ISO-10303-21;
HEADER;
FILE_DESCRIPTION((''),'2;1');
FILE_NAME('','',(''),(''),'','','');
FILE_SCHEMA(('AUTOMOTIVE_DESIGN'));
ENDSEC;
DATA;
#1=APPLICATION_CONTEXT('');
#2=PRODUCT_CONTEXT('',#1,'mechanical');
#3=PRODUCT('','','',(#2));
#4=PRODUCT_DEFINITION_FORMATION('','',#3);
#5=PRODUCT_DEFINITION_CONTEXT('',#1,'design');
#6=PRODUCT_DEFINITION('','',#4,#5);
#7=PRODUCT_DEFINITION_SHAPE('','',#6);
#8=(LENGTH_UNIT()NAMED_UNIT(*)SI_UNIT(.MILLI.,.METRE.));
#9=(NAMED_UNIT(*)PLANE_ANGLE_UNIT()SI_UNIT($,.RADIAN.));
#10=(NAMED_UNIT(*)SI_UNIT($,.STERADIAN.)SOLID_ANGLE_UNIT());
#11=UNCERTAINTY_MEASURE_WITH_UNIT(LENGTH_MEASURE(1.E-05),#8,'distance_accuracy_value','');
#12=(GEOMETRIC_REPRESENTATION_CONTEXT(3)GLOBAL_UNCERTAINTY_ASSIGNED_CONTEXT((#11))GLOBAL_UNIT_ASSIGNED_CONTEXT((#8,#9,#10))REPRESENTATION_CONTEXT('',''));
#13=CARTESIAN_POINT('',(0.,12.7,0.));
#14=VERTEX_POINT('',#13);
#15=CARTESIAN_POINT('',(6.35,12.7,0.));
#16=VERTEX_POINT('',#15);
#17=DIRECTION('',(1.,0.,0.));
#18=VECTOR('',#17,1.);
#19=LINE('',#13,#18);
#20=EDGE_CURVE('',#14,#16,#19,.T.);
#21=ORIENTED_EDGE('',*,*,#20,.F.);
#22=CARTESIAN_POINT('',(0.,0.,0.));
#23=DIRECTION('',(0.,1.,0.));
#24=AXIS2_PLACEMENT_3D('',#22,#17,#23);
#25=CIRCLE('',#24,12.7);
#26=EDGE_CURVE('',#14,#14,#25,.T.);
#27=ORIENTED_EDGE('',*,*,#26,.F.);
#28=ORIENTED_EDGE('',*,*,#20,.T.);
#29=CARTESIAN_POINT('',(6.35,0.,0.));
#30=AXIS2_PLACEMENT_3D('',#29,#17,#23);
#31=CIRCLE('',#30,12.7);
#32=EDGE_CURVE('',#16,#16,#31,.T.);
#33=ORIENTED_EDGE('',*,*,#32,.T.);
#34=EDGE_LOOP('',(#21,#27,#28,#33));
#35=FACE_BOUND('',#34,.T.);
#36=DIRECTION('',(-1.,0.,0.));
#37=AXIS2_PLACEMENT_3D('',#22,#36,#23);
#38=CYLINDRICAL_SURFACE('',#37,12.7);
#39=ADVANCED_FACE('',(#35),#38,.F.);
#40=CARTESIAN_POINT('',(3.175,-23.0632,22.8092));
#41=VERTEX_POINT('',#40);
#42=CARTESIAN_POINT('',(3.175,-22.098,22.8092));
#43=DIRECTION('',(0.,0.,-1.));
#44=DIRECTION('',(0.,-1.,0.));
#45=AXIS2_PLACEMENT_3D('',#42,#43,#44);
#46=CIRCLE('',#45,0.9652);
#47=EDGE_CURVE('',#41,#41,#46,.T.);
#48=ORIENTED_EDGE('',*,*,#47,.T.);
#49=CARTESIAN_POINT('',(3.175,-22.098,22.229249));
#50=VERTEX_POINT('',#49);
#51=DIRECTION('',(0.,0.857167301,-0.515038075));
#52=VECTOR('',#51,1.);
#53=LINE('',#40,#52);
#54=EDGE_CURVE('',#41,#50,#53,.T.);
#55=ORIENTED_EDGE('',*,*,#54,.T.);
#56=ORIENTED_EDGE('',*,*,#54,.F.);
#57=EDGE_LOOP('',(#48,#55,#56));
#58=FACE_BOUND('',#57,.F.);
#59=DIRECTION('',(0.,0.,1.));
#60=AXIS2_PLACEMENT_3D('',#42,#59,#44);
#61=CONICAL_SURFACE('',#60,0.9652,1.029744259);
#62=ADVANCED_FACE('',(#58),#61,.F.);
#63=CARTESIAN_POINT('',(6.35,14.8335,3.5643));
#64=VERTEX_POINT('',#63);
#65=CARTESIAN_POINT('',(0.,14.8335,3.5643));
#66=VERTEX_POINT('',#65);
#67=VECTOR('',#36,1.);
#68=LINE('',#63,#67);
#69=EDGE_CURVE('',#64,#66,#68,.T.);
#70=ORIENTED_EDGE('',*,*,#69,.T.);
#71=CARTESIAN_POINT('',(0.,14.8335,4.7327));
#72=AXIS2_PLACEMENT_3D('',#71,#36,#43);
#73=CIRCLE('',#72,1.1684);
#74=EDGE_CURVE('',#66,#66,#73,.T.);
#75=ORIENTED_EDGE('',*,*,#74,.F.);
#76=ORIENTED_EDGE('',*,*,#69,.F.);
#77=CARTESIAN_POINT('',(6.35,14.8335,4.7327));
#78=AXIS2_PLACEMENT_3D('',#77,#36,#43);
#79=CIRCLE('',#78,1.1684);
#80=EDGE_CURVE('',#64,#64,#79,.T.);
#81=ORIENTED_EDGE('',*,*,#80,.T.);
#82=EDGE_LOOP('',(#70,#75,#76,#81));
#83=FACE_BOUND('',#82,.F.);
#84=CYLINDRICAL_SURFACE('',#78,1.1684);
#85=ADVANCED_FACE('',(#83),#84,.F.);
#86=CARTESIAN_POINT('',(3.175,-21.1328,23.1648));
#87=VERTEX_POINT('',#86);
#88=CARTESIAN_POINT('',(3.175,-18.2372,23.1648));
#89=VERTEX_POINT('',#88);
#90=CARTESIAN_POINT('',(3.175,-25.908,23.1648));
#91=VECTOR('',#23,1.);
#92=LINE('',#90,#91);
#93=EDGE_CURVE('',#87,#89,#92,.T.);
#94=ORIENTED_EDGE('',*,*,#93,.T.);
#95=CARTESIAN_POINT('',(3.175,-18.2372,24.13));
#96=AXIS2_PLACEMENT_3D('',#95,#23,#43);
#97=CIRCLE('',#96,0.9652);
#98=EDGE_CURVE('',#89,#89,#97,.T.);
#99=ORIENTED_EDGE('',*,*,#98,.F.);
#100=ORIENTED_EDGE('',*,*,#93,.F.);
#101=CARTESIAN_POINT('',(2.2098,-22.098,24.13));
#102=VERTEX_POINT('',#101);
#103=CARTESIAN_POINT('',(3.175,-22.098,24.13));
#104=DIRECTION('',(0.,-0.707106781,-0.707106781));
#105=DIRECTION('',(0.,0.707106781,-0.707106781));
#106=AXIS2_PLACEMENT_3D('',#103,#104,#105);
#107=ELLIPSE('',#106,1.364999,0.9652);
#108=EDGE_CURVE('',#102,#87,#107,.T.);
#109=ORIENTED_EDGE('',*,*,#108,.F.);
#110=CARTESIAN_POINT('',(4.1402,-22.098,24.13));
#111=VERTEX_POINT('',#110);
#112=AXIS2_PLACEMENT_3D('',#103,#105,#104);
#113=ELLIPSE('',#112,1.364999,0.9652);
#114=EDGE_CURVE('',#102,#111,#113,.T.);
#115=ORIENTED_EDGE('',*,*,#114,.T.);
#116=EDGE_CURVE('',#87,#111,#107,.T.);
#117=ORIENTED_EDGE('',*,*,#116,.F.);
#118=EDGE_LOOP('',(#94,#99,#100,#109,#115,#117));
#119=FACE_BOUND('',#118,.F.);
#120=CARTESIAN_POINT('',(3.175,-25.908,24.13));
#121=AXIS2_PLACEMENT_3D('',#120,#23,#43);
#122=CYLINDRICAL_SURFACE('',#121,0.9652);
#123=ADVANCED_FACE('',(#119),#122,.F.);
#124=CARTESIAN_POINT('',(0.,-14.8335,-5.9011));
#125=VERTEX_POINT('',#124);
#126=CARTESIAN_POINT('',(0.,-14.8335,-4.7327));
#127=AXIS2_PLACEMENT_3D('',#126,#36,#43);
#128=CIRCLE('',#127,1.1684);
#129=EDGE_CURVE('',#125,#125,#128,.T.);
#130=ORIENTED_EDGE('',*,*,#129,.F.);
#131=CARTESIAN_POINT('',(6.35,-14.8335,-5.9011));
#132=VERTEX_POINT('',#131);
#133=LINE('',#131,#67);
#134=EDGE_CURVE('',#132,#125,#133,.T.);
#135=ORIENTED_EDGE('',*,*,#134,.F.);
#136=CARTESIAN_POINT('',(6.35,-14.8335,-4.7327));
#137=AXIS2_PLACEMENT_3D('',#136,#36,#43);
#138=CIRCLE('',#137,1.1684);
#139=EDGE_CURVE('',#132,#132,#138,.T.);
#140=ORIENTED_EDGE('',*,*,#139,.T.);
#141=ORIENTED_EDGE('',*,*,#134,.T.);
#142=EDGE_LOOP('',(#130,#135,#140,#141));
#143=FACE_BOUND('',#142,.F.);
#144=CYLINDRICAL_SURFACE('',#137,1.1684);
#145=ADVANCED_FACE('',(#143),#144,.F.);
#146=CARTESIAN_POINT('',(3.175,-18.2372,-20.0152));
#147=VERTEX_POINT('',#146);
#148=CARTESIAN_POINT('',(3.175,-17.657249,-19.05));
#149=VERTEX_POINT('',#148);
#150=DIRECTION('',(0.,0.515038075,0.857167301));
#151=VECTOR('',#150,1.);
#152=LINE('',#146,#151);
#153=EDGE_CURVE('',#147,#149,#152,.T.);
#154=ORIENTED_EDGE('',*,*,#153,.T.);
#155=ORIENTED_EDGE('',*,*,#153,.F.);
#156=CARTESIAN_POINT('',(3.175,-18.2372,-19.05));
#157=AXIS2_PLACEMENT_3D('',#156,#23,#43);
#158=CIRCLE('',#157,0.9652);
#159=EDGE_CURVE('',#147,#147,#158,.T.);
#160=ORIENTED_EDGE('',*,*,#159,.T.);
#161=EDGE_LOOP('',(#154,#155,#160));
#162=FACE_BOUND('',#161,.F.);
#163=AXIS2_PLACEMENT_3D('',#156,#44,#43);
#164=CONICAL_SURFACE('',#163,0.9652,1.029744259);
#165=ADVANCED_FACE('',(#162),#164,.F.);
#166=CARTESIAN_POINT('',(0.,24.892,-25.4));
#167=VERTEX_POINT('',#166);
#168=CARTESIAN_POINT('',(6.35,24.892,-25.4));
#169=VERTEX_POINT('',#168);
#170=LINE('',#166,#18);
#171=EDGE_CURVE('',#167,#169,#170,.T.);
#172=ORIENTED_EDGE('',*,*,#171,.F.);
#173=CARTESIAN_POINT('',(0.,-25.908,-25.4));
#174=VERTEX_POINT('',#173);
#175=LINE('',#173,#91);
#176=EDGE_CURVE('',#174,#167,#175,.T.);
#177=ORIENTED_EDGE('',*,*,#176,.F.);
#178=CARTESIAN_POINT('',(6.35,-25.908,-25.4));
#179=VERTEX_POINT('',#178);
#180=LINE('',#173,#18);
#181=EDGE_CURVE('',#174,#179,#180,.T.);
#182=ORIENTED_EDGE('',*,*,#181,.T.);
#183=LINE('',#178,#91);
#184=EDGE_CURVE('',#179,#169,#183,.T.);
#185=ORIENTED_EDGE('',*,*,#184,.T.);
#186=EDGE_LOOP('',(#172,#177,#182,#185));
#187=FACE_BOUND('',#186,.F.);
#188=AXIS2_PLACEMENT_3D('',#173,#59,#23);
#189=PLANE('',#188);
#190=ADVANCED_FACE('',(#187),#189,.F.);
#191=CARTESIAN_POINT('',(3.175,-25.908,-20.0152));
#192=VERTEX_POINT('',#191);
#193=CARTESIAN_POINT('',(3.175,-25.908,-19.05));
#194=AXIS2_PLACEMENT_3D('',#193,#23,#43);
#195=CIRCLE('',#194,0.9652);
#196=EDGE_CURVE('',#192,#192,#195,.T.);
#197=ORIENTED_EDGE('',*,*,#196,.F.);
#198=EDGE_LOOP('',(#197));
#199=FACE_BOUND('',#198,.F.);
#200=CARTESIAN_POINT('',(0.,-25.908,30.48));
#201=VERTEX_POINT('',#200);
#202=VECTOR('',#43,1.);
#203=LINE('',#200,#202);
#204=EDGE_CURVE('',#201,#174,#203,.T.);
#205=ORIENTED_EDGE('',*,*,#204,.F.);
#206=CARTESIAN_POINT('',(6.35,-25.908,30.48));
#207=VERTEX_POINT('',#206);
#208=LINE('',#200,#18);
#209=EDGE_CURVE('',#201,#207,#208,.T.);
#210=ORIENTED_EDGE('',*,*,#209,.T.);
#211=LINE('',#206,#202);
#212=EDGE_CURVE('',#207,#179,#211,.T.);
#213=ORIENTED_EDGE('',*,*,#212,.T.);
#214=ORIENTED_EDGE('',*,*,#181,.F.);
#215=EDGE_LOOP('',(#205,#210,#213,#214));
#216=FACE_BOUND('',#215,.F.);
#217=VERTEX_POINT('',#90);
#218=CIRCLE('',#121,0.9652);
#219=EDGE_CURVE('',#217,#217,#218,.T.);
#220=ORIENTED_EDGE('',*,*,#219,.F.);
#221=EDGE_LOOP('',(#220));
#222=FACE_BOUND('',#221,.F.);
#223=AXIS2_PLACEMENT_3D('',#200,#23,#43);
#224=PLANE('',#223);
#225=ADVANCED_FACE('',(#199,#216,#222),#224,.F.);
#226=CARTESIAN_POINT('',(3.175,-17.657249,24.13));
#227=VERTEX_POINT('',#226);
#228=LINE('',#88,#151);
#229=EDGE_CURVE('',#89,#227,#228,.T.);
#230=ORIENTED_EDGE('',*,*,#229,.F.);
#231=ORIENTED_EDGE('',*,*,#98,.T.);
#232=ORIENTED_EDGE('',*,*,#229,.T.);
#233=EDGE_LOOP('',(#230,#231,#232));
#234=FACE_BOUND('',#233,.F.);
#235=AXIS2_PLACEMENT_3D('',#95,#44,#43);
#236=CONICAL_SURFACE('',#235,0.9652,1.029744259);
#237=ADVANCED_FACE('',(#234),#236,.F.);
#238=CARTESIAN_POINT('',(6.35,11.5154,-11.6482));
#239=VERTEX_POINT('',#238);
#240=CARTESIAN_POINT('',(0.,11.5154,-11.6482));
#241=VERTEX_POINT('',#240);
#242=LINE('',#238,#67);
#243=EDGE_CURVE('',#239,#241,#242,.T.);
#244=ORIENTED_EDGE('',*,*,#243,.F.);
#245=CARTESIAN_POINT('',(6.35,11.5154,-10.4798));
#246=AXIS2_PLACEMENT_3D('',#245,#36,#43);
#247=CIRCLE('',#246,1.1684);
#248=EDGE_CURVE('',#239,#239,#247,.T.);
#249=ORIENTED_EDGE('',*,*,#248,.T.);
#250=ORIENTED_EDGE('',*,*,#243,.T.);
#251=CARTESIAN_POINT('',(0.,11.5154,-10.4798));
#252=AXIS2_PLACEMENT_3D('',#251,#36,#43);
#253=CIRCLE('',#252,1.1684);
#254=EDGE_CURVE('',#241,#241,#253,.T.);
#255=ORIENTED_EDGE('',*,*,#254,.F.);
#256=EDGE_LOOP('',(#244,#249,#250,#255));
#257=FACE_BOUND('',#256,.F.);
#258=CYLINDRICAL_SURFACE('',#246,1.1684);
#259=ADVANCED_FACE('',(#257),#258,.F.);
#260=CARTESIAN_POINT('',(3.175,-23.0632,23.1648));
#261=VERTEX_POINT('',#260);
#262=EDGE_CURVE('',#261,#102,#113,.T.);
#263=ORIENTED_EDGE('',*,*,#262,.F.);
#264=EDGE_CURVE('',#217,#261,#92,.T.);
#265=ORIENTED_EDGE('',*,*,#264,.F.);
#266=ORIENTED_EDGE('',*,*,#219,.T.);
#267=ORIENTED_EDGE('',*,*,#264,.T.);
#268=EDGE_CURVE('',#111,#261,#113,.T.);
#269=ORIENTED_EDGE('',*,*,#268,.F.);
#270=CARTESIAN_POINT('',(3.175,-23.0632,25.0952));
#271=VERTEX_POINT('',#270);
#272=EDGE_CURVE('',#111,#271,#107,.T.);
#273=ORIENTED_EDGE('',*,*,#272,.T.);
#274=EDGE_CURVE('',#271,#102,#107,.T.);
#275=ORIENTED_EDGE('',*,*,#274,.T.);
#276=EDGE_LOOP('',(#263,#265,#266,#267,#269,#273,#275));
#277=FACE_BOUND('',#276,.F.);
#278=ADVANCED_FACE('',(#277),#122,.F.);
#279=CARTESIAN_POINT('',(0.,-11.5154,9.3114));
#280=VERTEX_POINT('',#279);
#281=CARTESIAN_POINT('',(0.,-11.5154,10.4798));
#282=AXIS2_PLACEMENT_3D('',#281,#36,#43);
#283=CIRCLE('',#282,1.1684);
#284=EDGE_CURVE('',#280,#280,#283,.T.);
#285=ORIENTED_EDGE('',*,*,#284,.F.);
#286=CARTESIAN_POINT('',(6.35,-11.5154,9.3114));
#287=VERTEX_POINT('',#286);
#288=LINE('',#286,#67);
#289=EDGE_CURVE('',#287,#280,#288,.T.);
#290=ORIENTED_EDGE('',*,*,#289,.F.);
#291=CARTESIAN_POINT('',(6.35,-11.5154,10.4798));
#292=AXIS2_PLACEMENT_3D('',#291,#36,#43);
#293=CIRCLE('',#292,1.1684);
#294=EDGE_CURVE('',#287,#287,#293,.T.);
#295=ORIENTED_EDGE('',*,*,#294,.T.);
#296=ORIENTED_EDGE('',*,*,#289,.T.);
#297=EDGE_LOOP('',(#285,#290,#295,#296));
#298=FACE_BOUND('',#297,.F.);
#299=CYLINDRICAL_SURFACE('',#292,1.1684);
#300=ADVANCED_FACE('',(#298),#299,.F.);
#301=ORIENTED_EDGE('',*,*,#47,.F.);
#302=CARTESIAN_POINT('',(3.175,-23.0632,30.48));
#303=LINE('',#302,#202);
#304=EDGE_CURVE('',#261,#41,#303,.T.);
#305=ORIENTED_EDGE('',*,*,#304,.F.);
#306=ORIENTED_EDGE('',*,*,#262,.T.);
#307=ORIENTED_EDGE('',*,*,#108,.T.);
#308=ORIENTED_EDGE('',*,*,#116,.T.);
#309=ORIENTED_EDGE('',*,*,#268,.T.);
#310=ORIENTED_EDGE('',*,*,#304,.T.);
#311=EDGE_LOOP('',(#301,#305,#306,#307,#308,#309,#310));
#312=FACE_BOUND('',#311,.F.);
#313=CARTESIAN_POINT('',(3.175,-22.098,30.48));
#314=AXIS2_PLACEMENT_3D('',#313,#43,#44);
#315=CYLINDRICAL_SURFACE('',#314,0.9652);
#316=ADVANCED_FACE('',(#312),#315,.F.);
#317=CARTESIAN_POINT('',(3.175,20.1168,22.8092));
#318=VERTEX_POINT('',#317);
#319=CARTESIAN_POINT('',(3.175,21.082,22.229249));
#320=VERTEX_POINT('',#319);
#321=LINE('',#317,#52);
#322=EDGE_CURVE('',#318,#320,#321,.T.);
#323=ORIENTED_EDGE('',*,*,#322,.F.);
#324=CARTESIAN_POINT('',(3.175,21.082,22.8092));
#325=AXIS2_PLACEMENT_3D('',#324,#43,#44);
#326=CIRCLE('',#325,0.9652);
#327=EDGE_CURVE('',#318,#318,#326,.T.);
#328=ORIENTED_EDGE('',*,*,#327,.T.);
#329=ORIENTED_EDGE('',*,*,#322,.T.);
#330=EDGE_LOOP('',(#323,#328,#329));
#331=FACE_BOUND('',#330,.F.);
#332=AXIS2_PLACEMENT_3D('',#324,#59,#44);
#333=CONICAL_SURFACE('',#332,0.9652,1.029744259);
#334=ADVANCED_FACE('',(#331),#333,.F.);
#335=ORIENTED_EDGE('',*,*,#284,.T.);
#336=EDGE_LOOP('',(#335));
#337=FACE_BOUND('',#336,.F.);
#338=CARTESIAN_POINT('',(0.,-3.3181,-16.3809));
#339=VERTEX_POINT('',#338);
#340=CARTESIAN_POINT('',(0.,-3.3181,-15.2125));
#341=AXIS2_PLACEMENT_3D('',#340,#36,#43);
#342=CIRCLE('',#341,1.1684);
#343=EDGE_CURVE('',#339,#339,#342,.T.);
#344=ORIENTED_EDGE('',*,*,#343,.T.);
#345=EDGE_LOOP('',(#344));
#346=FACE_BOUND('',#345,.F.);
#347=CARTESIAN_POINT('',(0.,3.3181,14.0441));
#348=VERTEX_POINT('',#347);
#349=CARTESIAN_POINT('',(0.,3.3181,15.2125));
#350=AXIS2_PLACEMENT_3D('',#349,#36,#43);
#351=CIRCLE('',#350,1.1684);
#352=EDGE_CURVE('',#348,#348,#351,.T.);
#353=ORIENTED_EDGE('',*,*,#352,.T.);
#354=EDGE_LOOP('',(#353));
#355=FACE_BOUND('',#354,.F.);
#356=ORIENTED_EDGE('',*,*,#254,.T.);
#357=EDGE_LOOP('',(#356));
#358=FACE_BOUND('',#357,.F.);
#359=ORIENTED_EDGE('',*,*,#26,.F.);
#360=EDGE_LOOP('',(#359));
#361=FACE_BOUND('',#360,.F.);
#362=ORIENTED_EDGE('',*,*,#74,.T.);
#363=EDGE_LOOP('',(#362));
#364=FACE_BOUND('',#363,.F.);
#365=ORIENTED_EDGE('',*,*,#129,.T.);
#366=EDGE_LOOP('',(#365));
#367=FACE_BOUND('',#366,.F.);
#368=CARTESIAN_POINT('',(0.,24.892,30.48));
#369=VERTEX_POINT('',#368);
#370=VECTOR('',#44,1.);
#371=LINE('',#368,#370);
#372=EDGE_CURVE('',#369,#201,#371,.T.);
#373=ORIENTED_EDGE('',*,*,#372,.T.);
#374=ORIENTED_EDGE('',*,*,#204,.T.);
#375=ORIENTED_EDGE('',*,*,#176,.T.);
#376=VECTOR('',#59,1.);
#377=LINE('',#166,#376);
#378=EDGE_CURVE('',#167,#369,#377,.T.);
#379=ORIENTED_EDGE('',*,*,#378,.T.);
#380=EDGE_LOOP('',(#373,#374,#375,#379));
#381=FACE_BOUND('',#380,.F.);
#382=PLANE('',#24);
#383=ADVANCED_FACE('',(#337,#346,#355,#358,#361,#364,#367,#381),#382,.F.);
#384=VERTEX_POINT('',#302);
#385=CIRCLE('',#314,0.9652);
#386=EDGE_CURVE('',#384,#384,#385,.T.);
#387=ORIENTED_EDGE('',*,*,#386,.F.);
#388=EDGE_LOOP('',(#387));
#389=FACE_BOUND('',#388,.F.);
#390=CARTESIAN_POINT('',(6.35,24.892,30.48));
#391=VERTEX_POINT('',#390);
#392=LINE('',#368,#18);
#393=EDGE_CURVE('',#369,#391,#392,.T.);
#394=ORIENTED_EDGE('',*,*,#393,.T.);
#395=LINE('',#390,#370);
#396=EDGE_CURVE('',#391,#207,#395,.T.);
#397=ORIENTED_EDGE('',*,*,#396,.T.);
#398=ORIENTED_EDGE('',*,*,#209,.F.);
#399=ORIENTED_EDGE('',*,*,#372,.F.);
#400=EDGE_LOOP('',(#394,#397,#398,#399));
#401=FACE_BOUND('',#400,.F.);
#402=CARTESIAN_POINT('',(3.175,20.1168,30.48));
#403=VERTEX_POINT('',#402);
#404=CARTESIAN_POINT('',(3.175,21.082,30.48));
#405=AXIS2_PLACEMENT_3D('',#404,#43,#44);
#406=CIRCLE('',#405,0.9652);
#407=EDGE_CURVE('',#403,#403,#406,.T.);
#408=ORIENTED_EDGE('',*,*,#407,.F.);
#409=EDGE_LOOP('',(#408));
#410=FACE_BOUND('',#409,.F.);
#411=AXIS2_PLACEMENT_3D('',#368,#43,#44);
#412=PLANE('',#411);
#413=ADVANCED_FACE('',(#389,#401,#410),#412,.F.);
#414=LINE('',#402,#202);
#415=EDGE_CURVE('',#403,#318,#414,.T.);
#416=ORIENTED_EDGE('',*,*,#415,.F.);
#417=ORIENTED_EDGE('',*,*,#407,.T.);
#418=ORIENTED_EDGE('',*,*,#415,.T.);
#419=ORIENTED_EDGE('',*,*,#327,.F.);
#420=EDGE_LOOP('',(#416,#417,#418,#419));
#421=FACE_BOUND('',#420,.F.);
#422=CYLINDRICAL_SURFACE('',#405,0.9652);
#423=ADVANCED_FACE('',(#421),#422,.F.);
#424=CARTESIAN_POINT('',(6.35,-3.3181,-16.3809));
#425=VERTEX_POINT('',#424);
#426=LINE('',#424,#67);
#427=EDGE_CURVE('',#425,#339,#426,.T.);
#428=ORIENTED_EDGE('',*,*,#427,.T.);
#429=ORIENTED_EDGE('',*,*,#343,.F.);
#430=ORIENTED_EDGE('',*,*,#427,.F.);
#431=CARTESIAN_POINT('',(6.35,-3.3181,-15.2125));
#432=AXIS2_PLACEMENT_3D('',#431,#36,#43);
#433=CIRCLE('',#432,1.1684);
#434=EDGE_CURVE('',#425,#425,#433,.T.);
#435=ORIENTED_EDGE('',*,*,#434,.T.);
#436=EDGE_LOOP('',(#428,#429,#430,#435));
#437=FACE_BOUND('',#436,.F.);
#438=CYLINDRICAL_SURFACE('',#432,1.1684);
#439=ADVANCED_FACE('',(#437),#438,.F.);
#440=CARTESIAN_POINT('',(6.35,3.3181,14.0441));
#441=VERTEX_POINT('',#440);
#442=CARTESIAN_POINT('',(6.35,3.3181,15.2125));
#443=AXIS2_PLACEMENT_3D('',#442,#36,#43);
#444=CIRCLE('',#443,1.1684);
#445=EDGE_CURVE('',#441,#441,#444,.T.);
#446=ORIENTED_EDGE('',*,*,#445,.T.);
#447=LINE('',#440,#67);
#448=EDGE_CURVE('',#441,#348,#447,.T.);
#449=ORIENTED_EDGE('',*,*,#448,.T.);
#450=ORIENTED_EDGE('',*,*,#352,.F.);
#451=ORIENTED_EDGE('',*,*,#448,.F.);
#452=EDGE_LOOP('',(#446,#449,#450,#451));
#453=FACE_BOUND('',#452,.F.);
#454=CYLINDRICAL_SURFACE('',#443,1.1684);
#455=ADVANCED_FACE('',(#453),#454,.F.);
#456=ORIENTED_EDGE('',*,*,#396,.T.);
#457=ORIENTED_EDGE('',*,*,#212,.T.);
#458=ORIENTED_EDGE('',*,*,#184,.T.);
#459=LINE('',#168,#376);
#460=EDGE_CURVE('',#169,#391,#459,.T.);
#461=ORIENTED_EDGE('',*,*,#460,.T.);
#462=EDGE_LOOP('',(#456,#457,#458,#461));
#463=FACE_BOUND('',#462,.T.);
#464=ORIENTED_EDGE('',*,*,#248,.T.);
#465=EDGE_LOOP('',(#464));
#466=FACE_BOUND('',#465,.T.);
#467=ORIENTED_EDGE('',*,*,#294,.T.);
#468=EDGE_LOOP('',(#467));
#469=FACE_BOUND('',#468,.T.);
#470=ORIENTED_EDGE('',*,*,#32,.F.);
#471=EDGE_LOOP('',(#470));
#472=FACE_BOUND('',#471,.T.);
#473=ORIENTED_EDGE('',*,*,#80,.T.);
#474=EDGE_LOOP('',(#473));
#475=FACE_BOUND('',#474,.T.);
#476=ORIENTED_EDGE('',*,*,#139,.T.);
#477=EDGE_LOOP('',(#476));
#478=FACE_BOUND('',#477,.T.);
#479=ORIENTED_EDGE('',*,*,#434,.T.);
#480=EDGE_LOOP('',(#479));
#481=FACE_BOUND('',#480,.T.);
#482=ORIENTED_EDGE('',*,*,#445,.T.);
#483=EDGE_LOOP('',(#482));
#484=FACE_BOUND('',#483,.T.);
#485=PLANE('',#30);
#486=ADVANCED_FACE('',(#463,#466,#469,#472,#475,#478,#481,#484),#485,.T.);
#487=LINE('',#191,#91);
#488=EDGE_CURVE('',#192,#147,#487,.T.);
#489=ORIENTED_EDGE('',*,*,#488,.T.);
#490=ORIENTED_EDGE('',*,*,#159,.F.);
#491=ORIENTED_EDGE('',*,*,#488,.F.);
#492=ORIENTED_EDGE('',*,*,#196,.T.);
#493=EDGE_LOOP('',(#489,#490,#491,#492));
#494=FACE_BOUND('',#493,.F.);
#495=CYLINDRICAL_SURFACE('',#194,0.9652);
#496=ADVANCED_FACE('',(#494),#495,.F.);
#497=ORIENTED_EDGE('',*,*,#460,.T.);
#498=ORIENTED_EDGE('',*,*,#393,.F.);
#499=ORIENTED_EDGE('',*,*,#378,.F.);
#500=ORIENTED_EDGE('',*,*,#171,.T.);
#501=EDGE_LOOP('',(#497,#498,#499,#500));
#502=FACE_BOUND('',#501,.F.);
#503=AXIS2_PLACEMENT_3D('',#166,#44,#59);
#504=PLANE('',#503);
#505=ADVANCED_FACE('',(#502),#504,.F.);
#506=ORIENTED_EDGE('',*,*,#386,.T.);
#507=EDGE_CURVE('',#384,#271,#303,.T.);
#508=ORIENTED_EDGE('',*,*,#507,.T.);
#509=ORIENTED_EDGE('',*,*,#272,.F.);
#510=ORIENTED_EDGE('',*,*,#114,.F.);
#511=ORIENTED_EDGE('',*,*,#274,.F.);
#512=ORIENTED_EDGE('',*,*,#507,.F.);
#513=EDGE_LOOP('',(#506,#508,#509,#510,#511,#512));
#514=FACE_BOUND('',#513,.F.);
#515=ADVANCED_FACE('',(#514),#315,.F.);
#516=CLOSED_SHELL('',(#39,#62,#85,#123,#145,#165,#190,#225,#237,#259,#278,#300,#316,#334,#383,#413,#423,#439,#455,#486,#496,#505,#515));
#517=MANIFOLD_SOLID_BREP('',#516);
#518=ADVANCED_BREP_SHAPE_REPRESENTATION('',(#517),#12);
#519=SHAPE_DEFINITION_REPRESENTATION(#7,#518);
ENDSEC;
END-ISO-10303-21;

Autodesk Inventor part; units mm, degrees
ref_plane "YZ Plane" through (0, 0, 0) normal (1, 0, 0) x (0, 1, 0)
ref_plane "XZ Plane" through (0, 0, 0) normal (0, 1, 0) x (-1, 0, 0)
ref_plane "XY Plane" through (0, 0, 0) normal (0, 0, 1) x (1, 0, 0)
sketch "Sketch1" plane through (0, 0, 0) normal (1, 0, 0) x (0, 1, 0)
  circle A0 centre (0, 0) radius 12.7
  line L0 (24.892, 30.48) -> (-25.908, 30.48)
  line L1 (-25.908, 30.48) -> (-25.908, -25.4)
  line L2 (-25.908, -25.4) -> (24.892, -25.4)
  line L3 (24.892, -25.4) -> (24.892, 30.48)
  dimension "d0" = 25.4
  dimension "d1" = 55.88
  dimension "d4" = 25.4
  dimension "d5" = 24.892
  dimension "d6" = 50.8
extrude "Extrusion1" add sketch "Sketch1" along normal blind 6.35
sketch "Sketch2" plane through (0, -25.908, 30.48) normal (0, 0, 1) x (1, 0, 0)
  line L0 (0, 50.8) -> (0, 0) projected
  line L1 (0, 0) -> (6.35, 0) projected
  line L2 (6.35, 50.8) -> (6.35, 0) projected
  line L3 (0, 50.8) -> (6.35, 50.8) projected
  point P0 (0, 25.908)
  point P1 (3.175, 46.99)
  point P2 (3.175, 3.81)
  dimension "d9" = 6.35
  dimension "d10" = 3.175
  dimension "d11" = 3.175
  dimension "d12" = 3.81
  dimension "d13" = 3.81
hole "Hole1" at (3.175, 21.082, 30.48) at (3.175, -22.098, 30.48) direction (0, 0, -1) diameter 1.9304 depth 7.6708 tip angle 118
sketch "Sketch3" plane through (6.35, 0, 0) normal (1, 0, 0) x (0, 0, -1)
  point P0 (0, 0)
  point P1 (10.4798, 11.5154)
  point P2 (-4.7327, 14.8335)
  point P3 (-15.2125, 3.3181)
  point P4 (-10.4798, -11.5154)
  point P5 (4.7327, -14.8335)
  point P6 (15.2125, -3.3181)
  dimension "d21" = 15.5702
  dimension "d24" = 360
hole "Hole2" at (6.35, 11.5154, -10.4798) at (6.35, 14.8335, 4.7327) at (6.35, 3.3181, 15.2125) at (6.35, -11.5154, 10.4798) at (6.35, -14.8335, -4.7327) at (6.35, -3.3181, -15.2125) direction (-1, 0, 0) diameter 2.3368 end through all
sketch "Sketch5" plane through (0, -25.908, -25.4) normal (0, -1, 0) x (1, 0, 0)
  line L0 (0, 55.88) -> (0, 0) projected
  line L1 (0, 0) -> (6.35, 0) projected
  line L2 (6.35, 55.88) -> (6.35, 0) projected
  line L3 (0, 55.88) -> (6.35, 55.88) projected
  point P0 (0, 25.4)
  point P1 (3.175, 6.35)
  point P2 (3.175, 49.53)
  dimension "d42" = 6.35
  dimension "d43" = 6.35
hole "Hole4" at (3.175, -25.908, -19.05) at (3.175, -25.908, 24.13) direction (0, 1, 0) diameter 1.9304 depth 7.6708 tip angle 118
equation "\"d10\" = 0.5 * d9"
equation "\"d11\" = d10"
equation "\"d13\" = d12"
properties part number "motor mount"
